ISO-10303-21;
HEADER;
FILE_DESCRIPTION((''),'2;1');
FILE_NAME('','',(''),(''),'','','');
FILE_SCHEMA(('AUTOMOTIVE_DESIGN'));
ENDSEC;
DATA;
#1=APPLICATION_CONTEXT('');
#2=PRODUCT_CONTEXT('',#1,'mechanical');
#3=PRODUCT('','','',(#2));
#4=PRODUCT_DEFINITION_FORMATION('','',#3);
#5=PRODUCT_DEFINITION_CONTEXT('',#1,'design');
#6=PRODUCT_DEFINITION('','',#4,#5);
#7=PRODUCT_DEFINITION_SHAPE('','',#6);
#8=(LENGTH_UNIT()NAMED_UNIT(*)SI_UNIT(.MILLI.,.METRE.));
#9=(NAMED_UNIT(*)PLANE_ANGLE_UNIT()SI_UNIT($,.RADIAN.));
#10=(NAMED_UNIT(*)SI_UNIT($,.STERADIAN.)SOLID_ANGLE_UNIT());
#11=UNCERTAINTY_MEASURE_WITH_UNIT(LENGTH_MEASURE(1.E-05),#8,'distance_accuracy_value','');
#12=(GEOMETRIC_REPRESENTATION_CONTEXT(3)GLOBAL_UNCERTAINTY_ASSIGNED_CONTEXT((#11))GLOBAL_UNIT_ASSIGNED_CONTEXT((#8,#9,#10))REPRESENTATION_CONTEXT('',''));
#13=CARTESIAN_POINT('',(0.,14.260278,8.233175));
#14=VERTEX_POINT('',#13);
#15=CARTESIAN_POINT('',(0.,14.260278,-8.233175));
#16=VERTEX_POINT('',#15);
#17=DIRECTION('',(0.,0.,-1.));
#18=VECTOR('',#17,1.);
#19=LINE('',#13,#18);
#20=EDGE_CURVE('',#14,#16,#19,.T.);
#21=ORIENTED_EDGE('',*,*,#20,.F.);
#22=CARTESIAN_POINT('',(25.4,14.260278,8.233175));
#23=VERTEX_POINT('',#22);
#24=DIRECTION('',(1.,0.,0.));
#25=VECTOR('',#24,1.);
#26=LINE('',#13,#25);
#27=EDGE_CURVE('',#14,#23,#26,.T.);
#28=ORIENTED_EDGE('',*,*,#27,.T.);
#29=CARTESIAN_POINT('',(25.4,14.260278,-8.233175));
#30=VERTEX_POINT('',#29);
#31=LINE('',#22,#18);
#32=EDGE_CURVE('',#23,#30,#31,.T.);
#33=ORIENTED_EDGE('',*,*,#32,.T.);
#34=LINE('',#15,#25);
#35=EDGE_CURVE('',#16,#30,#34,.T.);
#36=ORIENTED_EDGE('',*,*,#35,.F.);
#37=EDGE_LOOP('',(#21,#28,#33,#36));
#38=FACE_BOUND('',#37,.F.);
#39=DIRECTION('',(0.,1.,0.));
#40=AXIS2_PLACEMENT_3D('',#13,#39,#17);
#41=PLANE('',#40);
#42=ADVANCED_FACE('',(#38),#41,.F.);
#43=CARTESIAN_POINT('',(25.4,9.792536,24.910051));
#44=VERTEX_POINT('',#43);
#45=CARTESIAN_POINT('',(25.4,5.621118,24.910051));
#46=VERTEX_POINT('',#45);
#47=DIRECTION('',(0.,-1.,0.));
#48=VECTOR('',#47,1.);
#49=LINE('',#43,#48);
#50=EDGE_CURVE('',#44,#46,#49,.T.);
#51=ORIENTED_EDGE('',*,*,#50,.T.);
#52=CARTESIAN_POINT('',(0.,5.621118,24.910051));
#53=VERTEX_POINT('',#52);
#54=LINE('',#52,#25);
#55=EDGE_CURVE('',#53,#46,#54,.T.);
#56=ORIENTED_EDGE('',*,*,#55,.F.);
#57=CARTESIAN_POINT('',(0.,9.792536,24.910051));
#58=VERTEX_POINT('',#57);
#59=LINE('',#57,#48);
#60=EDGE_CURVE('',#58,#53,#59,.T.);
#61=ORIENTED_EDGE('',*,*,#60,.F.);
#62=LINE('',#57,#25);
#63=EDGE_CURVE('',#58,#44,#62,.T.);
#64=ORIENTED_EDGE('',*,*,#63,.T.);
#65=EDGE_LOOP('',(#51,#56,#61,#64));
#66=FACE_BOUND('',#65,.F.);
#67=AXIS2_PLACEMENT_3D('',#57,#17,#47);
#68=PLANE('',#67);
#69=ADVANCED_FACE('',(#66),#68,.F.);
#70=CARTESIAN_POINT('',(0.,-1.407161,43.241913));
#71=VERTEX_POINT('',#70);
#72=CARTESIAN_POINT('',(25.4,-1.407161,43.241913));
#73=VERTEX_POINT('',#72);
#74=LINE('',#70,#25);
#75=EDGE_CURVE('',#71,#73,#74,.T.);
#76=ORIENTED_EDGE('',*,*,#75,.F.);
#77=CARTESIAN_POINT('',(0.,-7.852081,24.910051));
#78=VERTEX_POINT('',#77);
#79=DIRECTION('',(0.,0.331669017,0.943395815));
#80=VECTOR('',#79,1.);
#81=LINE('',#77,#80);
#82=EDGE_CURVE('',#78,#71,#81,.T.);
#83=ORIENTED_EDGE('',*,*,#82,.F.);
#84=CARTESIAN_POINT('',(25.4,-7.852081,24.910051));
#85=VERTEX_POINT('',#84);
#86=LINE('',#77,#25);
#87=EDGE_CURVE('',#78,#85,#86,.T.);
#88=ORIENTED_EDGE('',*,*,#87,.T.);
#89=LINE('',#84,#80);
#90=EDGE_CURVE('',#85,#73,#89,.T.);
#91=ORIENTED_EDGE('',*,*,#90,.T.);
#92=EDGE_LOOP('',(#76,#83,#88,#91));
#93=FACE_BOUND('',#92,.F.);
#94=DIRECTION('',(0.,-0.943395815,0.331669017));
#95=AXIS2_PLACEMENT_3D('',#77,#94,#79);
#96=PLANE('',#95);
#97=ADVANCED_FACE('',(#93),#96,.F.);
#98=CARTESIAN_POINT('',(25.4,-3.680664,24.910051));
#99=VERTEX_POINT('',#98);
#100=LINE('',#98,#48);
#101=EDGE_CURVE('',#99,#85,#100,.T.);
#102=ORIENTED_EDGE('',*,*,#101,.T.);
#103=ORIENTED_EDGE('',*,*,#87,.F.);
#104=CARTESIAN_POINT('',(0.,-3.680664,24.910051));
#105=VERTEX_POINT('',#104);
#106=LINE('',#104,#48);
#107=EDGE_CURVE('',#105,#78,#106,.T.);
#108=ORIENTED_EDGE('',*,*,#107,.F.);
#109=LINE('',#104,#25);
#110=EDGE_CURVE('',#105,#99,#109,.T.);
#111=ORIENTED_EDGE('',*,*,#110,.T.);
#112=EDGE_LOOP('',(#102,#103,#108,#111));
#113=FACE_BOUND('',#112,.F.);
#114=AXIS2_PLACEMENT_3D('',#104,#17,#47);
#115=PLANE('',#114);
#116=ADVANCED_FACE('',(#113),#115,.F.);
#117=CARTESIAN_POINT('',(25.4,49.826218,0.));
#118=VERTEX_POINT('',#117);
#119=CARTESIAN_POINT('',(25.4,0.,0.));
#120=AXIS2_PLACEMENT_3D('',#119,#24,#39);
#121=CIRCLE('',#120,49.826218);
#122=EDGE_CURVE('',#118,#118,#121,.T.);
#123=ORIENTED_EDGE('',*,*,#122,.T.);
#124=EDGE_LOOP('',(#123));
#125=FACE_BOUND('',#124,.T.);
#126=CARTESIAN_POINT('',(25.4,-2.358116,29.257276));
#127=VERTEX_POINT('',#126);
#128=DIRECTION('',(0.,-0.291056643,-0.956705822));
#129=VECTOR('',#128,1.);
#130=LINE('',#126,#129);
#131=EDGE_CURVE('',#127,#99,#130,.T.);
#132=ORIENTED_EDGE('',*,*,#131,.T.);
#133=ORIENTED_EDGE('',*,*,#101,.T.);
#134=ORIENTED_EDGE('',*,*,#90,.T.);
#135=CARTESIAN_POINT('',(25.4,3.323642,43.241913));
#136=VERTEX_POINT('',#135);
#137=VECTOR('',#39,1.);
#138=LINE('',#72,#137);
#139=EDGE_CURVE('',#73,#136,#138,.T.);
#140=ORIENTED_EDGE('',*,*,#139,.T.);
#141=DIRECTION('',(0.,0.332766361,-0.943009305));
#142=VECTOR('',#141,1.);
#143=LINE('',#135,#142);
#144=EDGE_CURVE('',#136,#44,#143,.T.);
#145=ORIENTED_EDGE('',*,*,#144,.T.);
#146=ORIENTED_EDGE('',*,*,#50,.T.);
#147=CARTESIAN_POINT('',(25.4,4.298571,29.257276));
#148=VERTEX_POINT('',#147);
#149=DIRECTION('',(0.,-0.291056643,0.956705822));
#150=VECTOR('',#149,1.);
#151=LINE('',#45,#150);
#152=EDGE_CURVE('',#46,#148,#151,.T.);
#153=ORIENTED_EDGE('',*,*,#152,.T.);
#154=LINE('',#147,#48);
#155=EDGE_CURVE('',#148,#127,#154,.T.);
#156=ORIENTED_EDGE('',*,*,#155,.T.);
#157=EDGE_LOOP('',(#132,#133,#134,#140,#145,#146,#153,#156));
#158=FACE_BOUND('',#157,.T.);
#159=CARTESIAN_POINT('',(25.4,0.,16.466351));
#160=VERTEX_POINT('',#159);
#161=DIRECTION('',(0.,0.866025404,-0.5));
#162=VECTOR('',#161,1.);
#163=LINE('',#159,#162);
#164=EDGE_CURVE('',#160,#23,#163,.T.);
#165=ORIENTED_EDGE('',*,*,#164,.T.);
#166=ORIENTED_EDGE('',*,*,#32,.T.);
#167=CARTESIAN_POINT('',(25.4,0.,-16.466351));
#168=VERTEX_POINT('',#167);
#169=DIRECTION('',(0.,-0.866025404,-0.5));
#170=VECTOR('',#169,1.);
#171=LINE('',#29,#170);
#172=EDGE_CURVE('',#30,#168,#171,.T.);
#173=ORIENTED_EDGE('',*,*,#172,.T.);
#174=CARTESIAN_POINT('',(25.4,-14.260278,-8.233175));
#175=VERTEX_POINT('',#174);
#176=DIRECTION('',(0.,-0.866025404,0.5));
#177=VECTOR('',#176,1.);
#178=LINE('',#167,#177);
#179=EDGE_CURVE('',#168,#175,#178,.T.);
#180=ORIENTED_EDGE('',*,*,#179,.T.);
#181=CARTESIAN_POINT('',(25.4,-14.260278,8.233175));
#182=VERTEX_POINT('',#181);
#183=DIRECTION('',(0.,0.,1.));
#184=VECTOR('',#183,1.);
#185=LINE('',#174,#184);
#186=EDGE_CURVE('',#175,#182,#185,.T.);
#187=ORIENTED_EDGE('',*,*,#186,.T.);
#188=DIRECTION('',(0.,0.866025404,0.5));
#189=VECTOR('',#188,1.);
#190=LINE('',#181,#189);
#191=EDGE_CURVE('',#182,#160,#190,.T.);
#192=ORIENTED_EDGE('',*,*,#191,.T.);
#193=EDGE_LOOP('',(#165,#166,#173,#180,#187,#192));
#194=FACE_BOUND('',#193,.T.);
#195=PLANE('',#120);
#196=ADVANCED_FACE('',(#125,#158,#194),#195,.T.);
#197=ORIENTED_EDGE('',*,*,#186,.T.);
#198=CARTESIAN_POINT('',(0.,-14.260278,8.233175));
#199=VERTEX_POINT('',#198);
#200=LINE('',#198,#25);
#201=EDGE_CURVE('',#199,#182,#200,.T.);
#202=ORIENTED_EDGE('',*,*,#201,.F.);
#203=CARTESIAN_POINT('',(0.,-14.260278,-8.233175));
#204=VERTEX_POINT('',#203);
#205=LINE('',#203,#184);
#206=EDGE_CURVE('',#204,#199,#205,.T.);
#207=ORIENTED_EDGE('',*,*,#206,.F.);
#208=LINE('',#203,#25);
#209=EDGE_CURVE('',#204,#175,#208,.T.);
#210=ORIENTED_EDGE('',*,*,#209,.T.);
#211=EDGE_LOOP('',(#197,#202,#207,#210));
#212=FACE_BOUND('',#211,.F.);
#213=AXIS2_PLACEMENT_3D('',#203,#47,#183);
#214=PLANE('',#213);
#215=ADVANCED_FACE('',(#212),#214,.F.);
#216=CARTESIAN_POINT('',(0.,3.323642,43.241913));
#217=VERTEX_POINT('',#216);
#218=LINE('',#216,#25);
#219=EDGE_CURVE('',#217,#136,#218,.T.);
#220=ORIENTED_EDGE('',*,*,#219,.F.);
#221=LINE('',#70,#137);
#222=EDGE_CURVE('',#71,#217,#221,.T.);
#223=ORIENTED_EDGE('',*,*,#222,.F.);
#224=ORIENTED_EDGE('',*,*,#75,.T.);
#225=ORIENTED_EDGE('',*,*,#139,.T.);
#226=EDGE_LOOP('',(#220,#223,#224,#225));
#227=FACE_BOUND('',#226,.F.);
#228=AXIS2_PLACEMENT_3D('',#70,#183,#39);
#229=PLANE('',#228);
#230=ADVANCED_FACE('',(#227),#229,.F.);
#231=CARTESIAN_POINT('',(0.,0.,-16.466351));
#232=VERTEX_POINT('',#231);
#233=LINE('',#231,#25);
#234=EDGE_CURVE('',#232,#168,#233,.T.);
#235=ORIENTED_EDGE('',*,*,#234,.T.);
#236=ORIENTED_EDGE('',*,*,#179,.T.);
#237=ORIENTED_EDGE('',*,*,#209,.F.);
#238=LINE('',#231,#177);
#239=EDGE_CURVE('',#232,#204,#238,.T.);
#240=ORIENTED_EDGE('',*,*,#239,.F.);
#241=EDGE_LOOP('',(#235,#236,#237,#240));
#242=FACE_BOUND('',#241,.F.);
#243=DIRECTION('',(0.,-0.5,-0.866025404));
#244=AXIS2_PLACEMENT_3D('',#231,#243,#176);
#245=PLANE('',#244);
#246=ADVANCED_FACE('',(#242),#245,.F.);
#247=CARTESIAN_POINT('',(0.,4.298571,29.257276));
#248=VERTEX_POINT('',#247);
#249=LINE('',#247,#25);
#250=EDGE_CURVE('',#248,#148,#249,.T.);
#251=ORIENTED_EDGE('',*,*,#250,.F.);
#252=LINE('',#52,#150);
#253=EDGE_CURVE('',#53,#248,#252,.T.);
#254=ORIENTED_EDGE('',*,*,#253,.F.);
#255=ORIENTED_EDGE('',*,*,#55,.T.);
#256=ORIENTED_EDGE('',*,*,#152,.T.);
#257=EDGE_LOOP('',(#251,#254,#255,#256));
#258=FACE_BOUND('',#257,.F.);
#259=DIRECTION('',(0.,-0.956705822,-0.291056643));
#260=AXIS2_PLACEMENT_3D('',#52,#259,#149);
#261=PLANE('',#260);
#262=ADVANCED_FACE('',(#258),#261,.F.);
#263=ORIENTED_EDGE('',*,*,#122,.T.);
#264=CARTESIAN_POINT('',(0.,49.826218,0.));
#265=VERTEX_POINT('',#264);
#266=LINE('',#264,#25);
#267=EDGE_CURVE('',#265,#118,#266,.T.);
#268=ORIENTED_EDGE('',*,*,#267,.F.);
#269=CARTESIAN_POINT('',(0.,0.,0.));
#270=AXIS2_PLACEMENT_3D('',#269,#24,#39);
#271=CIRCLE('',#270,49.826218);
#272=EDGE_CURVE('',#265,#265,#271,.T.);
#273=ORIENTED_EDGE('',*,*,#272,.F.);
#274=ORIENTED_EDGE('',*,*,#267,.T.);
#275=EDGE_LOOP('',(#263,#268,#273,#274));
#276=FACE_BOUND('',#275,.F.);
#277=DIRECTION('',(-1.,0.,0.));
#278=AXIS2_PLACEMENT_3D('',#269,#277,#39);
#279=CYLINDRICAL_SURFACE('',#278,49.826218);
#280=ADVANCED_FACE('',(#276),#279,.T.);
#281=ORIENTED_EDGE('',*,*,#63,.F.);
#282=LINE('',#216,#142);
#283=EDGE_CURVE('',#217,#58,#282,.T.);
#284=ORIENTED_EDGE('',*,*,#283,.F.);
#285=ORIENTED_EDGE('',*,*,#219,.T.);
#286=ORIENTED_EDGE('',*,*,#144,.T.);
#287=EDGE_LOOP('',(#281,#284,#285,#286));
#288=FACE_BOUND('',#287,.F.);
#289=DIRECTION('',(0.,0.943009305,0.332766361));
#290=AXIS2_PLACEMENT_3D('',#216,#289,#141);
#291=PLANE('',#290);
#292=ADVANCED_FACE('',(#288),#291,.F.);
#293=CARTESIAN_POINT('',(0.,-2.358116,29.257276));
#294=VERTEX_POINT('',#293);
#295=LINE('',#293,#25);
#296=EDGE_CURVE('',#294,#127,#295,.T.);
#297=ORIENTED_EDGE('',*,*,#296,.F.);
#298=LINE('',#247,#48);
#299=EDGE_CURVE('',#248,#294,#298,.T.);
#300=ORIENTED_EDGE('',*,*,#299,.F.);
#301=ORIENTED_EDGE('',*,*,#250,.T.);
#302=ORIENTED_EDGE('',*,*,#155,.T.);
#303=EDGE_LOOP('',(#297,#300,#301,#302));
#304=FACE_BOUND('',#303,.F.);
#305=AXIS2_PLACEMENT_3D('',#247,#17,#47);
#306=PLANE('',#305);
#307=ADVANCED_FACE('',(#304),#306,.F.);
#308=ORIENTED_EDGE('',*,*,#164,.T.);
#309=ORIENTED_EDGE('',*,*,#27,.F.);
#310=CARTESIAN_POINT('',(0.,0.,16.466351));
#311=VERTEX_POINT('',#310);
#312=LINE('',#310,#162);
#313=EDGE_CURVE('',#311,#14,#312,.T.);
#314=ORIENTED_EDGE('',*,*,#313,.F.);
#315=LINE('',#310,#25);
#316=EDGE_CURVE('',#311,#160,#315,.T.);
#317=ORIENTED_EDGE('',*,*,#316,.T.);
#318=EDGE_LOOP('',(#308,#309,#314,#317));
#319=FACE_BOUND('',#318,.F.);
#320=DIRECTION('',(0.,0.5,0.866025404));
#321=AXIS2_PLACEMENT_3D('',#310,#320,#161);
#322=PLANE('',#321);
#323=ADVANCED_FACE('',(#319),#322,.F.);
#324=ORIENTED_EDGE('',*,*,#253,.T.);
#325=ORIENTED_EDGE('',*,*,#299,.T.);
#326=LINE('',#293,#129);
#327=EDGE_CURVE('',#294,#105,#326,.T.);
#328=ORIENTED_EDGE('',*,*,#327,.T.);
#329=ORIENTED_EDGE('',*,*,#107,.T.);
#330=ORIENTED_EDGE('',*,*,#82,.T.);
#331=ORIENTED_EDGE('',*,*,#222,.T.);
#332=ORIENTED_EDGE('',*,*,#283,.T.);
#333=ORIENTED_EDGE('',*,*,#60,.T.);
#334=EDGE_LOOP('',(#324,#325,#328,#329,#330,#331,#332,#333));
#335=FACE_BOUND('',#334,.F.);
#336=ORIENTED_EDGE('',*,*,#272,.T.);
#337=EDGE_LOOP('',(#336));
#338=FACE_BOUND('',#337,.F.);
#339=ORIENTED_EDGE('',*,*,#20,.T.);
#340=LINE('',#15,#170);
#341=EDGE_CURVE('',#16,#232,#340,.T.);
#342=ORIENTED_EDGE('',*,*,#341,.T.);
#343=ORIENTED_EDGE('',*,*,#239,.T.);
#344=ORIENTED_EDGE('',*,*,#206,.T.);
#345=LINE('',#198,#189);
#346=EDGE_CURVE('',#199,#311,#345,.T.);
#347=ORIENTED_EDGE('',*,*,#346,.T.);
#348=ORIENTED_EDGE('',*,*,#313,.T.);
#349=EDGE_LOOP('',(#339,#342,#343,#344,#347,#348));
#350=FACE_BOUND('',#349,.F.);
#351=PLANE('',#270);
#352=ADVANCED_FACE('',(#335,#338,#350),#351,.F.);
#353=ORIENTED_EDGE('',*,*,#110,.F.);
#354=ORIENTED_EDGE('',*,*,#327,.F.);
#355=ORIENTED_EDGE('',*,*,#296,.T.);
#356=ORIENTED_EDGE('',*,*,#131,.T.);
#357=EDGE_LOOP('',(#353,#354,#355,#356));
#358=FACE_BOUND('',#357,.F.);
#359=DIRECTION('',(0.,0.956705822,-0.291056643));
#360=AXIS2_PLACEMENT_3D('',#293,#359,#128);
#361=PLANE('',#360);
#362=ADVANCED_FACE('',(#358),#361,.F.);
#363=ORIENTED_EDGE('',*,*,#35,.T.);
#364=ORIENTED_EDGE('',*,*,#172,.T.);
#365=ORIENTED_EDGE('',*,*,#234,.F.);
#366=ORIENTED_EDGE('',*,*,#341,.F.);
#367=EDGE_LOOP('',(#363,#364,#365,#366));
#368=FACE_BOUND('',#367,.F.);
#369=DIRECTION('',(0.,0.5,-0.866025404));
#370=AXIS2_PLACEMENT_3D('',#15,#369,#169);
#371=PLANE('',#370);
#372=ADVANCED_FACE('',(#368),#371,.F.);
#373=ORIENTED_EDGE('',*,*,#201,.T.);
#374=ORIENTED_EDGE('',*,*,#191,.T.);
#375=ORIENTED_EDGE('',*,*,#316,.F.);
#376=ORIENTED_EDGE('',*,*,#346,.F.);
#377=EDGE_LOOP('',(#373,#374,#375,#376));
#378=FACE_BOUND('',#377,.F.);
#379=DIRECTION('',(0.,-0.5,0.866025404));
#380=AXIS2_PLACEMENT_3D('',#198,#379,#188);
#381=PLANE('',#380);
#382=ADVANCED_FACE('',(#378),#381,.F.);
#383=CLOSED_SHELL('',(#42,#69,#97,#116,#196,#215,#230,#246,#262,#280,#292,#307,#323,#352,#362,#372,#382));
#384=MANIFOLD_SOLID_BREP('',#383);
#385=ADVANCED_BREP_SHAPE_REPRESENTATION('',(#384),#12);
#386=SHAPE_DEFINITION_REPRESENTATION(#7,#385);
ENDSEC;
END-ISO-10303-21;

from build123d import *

# Parameters (mm, degrees)
F0_R     = 49.8262178017
F1_DEPTH = 25.4


with BuildPart() as f1:
    # F0 (on Right) → F1 (new body)
    with BuildSketch(Plane.YZ):
        Circle(F0_R)
        Polygon((0, 16.4663507803), (14.2602780834, 8.2331753902), (14.2602780834, -8.2331753902), (0, -16.4663507803), (-14.2602780834, -8.2331753902), (-14.2602780834, 8.2331753902), align=None, mode=Mode.SUBTRACT)
        Polygon((9.792535721, 24.9100513756), (5.6211181315, 24.9100513756), (4.2985709838, 29.2572758367), (-2.3581164722, 29.2572758367), (-3.6806636199, 24.9100513756), (-7.8520812094, 24.9100513756), (-1.4071611214, 43.2419133495), (3.3236419687, 43.2419133495), align=None, mode=Mode.SUBTRACT)
    extrude(amount=F1_DEPTH)


solid = f1.part
